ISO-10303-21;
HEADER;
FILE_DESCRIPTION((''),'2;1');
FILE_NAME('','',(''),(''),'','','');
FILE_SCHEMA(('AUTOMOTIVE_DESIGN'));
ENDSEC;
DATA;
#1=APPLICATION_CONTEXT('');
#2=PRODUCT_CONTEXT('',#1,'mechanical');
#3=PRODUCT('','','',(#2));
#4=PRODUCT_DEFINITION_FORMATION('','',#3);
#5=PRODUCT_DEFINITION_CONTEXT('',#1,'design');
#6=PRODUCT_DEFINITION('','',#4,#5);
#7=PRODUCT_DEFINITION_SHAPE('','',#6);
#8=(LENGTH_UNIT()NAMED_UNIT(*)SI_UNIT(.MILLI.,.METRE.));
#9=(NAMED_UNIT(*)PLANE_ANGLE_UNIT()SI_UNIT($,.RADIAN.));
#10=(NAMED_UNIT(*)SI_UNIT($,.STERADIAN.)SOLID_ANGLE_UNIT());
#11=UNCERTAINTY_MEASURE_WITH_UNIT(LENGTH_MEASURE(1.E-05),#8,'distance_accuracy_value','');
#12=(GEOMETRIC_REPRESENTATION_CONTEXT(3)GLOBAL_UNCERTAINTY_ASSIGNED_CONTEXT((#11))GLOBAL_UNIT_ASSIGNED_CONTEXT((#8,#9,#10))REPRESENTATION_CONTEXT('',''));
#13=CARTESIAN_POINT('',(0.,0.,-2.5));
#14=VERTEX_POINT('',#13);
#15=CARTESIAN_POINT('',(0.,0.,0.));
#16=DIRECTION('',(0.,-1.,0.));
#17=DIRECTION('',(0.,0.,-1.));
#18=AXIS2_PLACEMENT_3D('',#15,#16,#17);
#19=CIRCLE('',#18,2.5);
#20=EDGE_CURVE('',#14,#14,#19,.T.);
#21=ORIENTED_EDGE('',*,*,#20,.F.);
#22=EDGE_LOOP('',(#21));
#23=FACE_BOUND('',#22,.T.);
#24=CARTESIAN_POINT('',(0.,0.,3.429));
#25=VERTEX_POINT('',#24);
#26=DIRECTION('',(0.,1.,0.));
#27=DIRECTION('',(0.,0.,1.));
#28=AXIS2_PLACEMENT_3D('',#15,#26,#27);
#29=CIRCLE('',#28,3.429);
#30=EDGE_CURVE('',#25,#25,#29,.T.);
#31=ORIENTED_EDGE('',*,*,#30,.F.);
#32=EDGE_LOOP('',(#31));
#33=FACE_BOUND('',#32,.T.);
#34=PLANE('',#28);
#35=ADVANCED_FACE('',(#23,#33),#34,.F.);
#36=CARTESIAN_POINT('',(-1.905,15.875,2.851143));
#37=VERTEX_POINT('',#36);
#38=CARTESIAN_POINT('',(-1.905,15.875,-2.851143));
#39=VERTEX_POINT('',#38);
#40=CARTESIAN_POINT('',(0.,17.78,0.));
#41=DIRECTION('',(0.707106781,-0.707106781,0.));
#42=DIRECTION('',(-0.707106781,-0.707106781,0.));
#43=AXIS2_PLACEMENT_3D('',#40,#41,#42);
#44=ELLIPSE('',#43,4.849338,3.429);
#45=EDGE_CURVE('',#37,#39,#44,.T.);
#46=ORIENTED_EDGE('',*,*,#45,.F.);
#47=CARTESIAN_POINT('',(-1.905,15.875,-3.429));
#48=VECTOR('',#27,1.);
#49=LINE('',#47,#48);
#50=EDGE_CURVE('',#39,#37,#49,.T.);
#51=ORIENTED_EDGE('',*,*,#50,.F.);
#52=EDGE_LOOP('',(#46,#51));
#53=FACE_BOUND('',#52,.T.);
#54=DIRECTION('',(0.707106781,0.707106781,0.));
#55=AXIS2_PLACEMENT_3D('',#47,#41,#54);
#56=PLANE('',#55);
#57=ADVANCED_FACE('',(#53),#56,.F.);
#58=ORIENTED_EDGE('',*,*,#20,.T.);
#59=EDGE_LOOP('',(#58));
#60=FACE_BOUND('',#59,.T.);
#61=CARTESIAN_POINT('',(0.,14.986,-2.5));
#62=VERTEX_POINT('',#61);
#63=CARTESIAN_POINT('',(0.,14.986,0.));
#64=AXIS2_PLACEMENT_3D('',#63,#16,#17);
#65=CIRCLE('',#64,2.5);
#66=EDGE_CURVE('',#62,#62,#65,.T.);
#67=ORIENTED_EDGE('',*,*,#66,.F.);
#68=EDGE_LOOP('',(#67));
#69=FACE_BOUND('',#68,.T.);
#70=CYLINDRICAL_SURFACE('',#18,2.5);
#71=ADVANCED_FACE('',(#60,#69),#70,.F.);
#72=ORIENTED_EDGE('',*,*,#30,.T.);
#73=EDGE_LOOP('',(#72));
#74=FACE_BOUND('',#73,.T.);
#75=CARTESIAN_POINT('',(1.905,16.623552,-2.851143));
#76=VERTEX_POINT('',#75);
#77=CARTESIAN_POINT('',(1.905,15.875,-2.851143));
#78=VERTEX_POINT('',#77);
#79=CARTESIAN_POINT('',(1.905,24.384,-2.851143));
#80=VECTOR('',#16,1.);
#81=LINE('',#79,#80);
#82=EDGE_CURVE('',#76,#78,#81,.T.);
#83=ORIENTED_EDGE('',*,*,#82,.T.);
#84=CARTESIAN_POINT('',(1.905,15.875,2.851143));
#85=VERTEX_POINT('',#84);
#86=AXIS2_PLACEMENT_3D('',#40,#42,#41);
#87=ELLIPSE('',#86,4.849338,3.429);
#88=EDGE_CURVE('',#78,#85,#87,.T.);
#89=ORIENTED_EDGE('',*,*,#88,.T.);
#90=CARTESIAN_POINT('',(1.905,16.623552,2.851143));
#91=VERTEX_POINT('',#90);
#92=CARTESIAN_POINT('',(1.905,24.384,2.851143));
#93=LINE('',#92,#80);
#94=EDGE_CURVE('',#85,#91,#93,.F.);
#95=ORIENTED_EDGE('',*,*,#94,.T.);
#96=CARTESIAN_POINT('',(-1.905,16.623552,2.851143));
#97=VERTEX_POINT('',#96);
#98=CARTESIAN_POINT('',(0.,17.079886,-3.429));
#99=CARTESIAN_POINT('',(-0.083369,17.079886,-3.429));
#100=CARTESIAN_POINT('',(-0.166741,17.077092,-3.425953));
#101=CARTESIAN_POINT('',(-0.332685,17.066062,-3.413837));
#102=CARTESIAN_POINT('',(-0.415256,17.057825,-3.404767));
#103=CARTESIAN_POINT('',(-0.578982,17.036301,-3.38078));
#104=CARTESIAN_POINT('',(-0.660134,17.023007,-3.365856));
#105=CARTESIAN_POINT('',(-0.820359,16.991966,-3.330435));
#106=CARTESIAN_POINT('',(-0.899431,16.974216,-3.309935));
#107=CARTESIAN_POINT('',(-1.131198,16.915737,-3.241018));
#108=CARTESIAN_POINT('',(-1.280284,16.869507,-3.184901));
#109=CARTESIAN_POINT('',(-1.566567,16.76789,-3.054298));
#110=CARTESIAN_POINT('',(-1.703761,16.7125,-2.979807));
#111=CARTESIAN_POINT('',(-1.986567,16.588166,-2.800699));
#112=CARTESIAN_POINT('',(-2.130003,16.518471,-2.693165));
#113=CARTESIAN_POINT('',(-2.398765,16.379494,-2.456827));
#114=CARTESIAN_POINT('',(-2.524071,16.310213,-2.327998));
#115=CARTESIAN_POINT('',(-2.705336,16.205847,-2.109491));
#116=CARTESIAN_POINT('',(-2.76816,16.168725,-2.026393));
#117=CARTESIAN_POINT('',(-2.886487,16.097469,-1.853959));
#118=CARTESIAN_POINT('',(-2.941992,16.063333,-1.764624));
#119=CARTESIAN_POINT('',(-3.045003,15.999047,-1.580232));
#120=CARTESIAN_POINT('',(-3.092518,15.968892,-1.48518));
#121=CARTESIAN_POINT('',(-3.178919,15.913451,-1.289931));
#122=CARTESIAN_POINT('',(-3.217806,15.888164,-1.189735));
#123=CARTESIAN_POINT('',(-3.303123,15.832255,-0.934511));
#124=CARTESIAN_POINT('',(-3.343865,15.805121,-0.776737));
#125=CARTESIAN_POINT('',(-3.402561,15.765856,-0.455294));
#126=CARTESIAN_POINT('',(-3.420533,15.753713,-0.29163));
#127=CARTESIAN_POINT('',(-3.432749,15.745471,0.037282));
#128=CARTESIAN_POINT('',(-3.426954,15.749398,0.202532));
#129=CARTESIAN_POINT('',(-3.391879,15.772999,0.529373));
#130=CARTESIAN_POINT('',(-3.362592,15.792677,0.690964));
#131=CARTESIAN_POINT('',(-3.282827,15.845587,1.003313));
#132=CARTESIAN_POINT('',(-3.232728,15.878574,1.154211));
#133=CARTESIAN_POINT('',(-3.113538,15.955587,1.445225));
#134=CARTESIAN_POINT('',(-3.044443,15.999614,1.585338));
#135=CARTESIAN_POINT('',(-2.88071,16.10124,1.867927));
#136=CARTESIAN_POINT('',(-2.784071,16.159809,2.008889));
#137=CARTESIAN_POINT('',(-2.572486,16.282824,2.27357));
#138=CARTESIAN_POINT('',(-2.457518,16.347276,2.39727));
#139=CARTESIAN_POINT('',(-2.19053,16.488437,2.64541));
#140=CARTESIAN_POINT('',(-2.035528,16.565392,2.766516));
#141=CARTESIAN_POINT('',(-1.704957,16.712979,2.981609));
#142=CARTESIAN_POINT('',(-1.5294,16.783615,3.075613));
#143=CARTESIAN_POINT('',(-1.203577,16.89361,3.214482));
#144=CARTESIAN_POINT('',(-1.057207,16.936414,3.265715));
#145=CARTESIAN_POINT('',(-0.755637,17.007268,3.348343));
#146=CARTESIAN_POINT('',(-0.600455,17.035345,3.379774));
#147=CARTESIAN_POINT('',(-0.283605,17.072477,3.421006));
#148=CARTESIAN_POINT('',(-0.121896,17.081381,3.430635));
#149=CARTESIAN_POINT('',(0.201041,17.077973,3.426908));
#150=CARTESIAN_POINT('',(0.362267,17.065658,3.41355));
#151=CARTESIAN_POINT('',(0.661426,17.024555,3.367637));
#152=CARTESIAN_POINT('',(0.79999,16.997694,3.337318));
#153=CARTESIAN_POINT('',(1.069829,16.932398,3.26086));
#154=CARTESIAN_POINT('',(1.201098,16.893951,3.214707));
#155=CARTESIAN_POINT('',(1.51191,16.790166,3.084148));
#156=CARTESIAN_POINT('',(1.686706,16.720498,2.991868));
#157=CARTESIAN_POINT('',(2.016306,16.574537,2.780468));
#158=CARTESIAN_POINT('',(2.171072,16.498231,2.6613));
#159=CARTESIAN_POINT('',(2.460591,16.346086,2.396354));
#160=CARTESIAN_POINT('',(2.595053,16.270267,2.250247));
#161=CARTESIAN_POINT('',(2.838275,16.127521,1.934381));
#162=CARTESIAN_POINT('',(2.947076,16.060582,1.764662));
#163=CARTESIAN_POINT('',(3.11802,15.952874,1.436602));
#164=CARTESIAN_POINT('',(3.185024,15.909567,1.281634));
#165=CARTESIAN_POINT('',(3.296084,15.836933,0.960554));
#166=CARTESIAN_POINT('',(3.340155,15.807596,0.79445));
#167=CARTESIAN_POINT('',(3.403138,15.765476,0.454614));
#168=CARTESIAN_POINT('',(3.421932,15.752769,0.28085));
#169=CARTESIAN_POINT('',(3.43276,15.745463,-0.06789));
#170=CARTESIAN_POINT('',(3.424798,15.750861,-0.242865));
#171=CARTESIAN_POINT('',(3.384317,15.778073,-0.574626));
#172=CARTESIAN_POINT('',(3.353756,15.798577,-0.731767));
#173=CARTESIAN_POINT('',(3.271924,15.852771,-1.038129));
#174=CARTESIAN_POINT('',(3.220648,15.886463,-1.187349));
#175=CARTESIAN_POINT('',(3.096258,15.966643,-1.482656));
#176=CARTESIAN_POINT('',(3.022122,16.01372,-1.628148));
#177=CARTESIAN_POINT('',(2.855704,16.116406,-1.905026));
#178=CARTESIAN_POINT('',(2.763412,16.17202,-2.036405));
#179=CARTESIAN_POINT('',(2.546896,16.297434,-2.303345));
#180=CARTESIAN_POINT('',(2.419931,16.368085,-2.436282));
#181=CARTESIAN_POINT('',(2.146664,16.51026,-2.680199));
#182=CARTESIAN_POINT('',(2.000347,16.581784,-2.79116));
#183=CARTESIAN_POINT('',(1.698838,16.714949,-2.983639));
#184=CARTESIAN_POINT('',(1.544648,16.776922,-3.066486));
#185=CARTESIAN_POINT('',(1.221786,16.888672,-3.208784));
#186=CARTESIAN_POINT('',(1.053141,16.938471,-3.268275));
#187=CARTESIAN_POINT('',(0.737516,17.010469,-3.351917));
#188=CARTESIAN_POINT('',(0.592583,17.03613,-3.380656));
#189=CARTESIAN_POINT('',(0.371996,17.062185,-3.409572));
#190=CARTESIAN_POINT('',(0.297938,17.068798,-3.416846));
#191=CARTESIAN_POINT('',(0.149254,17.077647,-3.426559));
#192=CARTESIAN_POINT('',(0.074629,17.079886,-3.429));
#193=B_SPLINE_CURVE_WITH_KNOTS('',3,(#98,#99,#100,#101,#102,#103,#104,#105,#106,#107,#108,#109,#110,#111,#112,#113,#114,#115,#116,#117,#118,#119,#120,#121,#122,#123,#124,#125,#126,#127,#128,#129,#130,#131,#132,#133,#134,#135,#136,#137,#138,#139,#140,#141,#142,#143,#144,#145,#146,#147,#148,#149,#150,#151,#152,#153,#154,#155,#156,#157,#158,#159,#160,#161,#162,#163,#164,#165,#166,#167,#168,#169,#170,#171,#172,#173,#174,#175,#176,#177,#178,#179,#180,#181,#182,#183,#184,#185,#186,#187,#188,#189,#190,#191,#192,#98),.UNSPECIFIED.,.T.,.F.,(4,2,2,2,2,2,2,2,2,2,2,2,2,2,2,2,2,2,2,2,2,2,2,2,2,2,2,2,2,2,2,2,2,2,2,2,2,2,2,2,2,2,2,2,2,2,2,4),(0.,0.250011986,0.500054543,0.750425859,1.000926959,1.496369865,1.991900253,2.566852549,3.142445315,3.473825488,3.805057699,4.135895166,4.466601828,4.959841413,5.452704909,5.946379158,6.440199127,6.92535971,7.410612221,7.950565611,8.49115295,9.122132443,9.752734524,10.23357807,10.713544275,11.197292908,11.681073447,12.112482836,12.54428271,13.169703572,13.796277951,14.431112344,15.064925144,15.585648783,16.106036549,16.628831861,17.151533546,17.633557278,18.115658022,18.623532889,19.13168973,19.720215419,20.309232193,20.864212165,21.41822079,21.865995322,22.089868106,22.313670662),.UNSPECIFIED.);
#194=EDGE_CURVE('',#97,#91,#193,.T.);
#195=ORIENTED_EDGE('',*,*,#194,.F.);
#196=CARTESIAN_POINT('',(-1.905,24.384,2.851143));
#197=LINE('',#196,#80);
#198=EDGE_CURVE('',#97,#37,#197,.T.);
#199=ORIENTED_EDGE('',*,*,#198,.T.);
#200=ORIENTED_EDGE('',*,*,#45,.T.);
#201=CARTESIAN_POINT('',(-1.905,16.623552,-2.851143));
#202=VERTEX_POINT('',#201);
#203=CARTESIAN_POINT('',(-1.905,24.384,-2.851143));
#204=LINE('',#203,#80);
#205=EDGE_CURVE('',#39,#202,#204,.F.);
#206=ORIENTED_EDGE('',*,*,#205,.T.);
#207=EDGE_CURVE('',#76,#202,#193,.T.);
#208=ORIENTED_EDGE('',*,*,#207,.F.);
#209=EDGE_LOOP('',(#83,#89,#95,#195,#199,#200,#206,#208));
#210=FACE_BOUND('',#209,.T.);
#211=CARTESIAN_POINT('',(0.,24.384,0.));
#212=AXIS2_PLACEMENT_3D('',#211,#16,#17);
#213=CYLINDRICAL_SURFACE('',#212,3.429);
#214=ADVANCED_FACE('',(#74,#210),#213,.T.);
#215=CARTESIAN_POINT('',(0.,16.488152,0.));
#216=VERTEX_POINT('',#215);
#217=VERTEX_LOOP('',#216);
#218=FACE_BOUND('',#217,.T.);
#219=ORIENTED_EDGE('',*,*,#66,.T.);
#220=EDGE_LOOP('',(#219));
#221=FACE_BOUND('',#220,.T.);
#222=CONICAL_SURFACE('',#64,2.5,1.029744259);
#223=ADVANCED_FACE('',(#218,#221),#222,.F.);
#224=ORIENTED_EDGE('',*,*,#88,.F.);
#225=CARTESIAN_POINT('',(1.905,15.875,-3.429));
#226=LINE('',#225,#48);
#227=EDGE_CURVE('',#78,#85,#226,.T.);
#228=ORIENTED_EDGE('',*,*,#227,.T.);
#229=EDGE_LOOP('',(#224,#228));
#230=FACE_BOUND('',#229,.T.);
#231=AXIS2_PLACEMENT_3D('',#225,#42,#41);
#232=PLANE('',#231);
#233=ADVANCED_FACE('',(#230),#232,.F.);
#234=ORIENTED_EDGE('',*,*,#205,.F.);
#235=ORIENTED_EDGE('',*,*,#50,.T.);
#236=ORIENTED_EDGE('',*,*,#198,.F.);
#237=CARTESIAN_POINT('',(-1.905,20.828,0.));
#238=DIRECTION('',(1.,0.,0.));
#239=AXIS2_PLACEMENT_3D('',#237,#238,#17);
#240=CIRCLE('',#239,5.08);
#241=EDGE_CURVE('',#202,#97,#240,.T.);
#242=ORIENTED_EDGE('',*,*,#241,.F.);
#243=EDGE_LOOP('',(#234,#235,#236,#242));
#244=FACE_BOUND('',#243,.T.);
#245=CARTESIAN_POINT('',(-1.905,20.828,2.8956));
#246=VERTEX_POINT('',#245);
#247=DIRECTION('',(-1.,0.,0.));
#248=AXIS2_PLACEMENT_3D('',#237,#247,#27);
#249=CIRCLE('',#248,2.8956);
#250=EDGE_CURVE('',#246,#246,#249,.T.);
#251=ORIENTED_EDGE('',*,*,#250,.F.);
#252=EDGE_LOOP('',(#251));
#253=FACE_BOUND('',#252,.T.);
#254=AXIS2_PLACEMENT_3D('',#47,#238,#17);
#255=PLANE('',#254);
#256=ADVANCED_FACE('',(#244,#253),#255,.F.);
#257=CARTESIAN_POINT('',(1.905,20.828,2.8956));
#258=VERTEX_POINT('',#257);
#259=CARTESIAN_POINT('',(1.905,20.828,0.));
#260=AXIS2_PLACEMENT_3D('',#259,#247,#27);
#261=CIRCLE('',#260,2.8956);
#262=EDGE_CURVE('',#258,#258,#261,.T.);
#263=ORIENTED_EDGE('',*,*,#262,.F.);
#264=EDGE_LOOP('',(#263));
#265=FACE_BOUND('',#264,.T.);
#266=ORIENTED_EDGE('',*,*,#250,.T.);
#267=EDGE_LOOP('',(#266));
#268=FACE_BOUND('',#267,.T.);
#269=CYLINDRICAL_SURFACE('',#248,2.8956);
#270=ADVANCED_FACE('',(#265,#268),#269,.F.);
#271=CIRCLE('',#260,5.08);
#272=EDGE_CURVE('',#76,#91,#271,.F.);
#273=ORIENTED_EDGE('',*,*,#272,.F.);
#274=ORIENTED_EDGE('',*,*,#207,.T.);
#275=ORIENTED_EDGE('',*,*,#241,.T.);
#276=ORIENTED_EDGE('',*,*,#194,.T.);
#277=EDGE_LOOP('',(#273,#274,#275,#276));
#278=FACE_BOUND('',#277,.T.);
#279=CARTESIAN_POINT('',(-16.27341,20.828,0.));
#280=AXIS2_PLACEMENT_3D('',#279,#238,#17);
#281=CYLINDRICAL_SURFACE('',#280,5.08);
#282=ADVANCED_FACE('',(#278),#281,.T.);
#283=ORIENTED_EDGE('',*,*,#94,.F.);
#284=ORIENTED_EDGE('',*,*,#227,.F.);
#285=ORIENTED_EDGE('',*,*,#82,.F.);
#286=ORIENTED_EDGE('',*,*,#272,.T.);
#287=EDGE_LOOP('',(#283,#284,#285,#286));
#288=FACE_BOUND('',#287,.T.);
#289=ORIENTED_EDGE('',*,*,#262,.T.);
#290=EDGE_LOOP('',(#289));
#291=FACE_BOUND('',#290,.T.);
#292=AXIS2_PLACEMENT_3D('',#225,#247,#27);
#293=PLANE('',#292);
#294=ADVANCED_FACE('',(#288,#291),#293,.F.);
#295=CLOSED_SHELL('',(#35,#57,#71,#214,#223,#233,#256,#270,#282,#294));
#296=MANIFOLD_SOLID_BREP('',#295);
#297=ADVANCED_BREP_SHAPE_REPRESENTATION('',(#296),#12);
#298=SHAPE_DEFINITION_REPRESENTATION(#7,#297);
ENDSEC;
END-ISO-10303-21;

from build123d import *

# Parameters (mm, degrees)
SKETCH1_R                       = 3.429
BOSS_EXTRUDE1_DEPTH             = 24.384
CUT_EXTRUDE1_DEPTH              = 26.561096631
BOSS_EXTRUDE2_REACH             = 26.862
SKETCH3_R                       = 5.08
BOSS_EXTRUDE2_DIRECTION_2_REACH = 26.862
M6X1_0_TAPPED_HOLE1_D           = 5
M6X1_0_TAPPED_HOLE1_DEPTH       = 14.986
M6X1_0_TAPPED_HOLE1_TIP         = 1.502151548
F_12_CLEARANCE_HOLE1_D          = 5.7912


with BuildPart() as part:
    # Sketch1 → Boss-Extrude1 (new body)
    with BuildSketch(Plane(origin=(0, 0, 0), x_dir=(1, 0, 0), z_dir=(0, 1, 0))):
        Circle(SKETCH1_R)
    extrude(amount=BOSS_EXTRUDE1_DEPTH)

    # Sketch2 → Cut-Extrude1 (cut, through all)
    with BuildSketch(Plane.XY.offset(3.429)):
        Polygon((-1.905, 15.875), (-1.905, 24.384), (-5.334, 24.384), (-5.334, 12.446), align=None)
        Polygon((1.905, 15.875), (1.905, 24.384), (5.334, 24.384), (5.334, 12.446), align=None)
    extrude(amount=-CUT_EXTRUDE1_DEPTH, mode=Mode.SUBTRACT)

    # Boss-Extrude2: up to this face of the body (flat: up to its plane)
    boss_extrude2_end = Plane(part.part.faces().sort_by_distance((-1.905, 20.1295, 0))[0])
    # Sketch3 → Boss-Extrude2 (add, up to the picked face)
    with BuildSketch(Plane.ZY, mode=Mode.PRIVATE) as boss_extrude2_sk1:
        with Locations((0, 20.828)):
            Circle(SKETCH3_R)
    boss_extrude2_tool1 = split(extrude(boss_extrude2_sk1.sketch, amount=BOSS_EXTRUDE2_REACH, mode=Mode.PRIVATE), bisect_by=boss_extrude2_end, keep=Keep.BOTH, mode=Mode.PRIVATE)
    add(boss_extrude2_tool1.solids().sort_by(Axis((0, 20.828, 0), (-1, 0, 0)))[0])

    # Boss-Extrude2 direction 2: up to this face of the body (flat: up to its plane)
    boss_extrude2_direction_2_end = Plane(part.part.faces().sort_by_distance((1.905, 20.1295, 0))[0])
    # Sketch3 → Boss-Extrude2 direction 2 (add, up to the picked face)
    with BuildSketch(Plane.ZY, mode=Mode.PRIVATE) as boss_extrude2_direction_2_sk1:
        with Locations((0, 20.828)):
            Circle(SKETCH3_R)
    boss_extrude2_direction_2_tool1 = split(extrude(boss_extrude2_direction_2_sk1.sketch, amount=-BOSS_EXTRUDE2_DIRECTION_2_REACH, mode=Mode.PRIVATE), bisect_by=boss_extrude2_direction_2_end, keep=Keep.BOTH, mode=Mode.PRIVATE)
    add(boss_extrude2_direction_2_tool1.solids().sort_by(Axis((0, 20.828, 0), (1, 0, 0)))[0])

    # M6x1.0 Tapped Hole1
    with Locations(Plane(origin=(0, 0, 0), x_dir=(-1, 0, 0), z_dir=(0, -1, 0))):
        with Locations((0, 0)):
            Hole(M6X1_0_TAPPED_HOLE1_D / 2, depth=M6X1_0_TAPPED_HOLE1_DEPTH)
            with Locations((0, 0, -(M6X1_0_TAPPED_HOLE1_DEPTH + M6X1_0_TAPPED_HOLE1_TIP / 2))):  # 118° drill point
                Cone(0, M6X1_0_TAPPED_HOLE1_D / 2, M6X1_0_TAPPED_HOLE1_TIP, mode=Mode.SUBTRACT)

    # #12 Clearance Hole1 (through all)
    with Locations(Plane.ZY.offset(1.905)):
        with Locations((0, 20.828)):
            Hole(F_12_CLEARANCE_HOLE1_D / 2)


solid = part.part
